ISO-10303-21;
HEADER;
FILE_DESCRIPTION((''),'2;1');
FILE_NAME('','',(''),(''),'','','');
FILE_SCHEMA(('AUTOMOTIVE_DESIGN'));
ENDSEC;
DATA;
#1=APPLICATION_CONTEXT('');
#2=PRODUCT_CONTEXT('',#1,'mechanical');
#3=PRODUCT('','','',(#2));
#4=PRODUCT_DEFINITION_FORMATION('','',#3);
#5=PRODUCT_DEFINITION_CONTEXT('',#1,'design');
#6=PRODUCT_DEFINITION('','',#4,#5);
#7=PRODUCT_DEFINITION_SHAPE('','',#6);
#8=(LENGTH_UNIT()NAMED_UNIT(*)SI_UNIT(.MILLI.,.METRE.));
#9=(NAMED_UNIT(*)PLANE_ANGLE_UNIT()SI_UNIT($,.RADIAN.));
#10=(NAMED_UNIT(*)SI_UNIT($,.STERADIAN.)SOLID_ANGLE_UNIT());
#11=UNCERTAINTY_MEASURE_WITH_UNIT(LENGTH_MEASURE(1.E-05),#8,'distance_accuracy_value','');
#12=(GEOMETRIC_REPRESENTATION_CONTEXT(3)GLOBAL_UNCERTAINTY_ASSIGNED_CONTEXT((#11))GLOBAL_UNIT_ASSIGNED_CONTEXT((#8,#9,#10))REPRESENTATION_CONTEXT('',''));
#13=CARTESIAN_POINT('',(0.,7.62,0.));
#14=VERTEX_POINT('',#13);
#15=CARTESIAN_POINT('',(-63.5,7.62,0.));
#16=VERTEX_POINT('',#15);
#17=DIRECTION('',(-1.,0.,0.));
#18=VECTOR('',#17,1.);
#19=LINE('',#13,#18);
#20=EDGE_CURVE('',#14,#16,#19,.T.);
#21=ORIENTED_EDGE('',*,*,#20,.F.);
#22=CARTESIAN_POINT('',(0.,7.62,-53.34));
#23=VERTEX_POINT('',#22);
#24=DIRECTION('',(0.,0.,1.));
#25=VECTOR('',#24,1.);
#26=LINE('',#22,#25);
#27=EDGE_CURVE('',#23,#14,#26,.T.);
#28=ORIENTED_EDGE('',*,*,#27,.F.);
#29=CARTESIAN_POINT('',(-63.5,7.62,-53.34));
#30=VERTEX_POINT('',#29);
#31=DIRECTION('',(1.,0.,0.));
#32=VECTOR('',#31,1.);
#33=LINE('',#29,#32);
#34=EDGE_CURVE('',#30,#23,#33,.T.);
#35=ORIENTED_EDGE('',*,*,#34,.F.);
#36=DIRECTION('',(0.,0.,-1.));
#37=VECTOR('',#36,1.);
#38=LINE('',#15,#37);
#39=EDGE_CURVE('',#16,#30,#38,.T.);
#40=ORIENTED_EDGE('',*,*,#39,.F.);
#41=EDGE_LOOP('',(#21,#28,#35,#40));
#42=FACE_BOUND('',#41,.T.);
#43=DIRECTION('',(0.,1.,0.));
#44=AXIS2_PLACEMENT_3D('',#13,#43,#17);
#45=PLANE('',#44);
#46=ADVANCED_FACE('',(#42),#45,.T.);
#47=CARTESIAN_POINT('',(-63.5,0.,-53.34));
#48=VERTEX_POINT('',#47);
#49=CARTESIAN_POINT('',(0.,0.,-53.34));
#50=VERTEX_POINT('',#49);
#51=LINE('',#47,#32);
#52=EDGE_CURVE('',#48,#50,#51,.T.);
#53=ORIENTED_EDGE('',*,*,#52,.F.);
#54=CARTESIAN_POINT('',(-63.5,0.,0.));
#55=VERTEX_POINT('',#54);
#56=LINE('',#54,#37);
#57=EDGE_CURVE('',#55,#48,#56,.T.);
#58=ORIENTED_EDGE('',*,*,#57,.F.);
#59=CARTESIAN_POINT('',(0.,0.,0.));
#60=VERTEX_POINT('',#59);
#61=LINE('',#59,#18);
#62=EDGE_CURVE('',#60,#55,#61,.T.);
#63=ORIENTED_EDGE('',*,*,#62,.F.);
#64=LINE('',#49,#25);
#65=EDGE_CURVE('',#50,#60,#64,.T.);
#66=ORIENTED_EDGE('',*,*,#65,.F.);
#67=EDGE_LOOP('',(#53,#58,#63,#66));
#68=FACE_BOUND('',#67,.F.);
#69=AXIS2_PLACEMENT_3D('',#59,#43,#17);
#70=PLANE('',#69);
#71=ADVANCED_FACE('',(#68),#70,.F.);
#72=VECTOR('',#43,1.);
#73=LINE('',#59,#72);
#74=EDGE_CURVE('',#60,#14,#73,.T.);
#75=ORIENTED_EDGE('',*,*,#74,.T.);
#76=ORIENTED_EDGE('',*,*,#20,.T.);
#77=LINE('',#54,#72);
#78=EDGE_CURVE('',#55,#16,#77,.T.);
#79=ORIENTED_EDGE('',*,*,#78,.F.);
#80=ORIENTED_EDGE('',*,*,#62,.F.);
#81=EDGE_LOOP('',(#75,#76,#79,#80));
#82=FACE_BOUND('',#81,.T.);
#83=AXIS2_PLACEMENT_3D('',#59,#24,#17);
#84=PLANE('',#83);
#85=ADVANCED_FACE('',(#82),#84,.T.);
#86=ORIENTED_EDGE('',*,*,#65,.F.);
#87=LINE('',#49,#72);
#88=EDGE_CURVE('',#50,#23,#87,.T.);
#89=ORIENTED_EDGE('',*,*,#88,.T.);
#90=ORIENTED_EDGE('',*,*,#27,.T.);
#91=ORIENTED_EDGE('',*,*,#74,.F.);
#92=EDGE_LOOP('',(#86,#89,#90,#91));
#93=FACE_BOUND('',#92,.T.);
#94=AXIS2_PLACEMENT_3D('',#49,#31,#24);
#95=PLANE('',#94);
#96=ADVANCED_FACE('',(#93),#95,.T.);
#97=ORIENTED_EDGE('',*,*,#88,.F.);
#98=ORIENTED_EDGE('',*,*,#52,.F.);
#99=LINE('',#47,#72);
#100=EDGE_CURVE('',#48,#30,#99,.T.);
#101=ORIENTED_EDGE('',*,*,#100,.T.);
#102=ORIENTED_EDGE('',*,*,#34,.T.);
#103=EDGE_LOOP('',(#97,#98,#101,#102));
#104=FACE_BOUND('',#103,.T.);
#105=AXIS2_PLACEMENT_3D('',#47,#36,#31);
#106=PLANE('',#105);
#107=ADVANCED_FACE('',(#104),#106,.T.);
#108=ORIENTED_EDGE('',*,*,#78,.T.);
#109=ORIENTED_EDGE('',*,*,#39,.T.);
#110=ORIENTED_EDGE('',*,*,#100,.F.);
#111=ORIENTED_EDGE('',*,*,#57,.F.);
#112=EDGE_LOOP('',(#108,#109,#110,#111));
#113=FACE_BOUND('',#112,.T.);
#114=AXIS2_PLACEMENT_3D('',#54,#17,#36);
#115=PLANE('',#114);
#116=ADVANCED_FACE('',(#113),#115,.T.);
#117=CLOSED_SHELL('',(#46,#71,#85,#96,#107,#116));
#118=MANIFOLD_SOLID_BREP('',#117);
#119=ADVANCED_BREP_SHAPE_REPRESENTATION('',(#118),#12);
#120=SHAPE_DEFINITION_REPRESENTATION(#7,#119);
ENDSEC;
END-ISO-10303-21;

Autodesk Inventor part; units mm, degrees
ref_plane "YZ Plane" through (0, 0, 0) normal (1, 0, 0) x (0, 1, 0)
ref_plane "XZ Plane" through (0, 0, 0) normal (0, 1, 0) x (-1, 0, 0)
ref_plane "XY Plane" through (0, 0, 0) normal (0, 0, 1) x (1, 0, 0)
sketch "Sketch1" plane through (0, 0, 0) normal (0, 1, 0) x (-1, 0, 0)
  line L0 (0, 0) -> (63.5, 0)
  line L1 (63.5, 0) -> (63.5, -53.34)
  line L2 (63.5, -53.34) -> (0, -53.34)
  line L3 (0, -53.34) -> (0, 0)
  dimension "d0" = 63.5
  dimension "d1" = 53.34
extrude "Extrusion1" add sketch "Sketch1" along normal blind 7.62
properties part number "board"
